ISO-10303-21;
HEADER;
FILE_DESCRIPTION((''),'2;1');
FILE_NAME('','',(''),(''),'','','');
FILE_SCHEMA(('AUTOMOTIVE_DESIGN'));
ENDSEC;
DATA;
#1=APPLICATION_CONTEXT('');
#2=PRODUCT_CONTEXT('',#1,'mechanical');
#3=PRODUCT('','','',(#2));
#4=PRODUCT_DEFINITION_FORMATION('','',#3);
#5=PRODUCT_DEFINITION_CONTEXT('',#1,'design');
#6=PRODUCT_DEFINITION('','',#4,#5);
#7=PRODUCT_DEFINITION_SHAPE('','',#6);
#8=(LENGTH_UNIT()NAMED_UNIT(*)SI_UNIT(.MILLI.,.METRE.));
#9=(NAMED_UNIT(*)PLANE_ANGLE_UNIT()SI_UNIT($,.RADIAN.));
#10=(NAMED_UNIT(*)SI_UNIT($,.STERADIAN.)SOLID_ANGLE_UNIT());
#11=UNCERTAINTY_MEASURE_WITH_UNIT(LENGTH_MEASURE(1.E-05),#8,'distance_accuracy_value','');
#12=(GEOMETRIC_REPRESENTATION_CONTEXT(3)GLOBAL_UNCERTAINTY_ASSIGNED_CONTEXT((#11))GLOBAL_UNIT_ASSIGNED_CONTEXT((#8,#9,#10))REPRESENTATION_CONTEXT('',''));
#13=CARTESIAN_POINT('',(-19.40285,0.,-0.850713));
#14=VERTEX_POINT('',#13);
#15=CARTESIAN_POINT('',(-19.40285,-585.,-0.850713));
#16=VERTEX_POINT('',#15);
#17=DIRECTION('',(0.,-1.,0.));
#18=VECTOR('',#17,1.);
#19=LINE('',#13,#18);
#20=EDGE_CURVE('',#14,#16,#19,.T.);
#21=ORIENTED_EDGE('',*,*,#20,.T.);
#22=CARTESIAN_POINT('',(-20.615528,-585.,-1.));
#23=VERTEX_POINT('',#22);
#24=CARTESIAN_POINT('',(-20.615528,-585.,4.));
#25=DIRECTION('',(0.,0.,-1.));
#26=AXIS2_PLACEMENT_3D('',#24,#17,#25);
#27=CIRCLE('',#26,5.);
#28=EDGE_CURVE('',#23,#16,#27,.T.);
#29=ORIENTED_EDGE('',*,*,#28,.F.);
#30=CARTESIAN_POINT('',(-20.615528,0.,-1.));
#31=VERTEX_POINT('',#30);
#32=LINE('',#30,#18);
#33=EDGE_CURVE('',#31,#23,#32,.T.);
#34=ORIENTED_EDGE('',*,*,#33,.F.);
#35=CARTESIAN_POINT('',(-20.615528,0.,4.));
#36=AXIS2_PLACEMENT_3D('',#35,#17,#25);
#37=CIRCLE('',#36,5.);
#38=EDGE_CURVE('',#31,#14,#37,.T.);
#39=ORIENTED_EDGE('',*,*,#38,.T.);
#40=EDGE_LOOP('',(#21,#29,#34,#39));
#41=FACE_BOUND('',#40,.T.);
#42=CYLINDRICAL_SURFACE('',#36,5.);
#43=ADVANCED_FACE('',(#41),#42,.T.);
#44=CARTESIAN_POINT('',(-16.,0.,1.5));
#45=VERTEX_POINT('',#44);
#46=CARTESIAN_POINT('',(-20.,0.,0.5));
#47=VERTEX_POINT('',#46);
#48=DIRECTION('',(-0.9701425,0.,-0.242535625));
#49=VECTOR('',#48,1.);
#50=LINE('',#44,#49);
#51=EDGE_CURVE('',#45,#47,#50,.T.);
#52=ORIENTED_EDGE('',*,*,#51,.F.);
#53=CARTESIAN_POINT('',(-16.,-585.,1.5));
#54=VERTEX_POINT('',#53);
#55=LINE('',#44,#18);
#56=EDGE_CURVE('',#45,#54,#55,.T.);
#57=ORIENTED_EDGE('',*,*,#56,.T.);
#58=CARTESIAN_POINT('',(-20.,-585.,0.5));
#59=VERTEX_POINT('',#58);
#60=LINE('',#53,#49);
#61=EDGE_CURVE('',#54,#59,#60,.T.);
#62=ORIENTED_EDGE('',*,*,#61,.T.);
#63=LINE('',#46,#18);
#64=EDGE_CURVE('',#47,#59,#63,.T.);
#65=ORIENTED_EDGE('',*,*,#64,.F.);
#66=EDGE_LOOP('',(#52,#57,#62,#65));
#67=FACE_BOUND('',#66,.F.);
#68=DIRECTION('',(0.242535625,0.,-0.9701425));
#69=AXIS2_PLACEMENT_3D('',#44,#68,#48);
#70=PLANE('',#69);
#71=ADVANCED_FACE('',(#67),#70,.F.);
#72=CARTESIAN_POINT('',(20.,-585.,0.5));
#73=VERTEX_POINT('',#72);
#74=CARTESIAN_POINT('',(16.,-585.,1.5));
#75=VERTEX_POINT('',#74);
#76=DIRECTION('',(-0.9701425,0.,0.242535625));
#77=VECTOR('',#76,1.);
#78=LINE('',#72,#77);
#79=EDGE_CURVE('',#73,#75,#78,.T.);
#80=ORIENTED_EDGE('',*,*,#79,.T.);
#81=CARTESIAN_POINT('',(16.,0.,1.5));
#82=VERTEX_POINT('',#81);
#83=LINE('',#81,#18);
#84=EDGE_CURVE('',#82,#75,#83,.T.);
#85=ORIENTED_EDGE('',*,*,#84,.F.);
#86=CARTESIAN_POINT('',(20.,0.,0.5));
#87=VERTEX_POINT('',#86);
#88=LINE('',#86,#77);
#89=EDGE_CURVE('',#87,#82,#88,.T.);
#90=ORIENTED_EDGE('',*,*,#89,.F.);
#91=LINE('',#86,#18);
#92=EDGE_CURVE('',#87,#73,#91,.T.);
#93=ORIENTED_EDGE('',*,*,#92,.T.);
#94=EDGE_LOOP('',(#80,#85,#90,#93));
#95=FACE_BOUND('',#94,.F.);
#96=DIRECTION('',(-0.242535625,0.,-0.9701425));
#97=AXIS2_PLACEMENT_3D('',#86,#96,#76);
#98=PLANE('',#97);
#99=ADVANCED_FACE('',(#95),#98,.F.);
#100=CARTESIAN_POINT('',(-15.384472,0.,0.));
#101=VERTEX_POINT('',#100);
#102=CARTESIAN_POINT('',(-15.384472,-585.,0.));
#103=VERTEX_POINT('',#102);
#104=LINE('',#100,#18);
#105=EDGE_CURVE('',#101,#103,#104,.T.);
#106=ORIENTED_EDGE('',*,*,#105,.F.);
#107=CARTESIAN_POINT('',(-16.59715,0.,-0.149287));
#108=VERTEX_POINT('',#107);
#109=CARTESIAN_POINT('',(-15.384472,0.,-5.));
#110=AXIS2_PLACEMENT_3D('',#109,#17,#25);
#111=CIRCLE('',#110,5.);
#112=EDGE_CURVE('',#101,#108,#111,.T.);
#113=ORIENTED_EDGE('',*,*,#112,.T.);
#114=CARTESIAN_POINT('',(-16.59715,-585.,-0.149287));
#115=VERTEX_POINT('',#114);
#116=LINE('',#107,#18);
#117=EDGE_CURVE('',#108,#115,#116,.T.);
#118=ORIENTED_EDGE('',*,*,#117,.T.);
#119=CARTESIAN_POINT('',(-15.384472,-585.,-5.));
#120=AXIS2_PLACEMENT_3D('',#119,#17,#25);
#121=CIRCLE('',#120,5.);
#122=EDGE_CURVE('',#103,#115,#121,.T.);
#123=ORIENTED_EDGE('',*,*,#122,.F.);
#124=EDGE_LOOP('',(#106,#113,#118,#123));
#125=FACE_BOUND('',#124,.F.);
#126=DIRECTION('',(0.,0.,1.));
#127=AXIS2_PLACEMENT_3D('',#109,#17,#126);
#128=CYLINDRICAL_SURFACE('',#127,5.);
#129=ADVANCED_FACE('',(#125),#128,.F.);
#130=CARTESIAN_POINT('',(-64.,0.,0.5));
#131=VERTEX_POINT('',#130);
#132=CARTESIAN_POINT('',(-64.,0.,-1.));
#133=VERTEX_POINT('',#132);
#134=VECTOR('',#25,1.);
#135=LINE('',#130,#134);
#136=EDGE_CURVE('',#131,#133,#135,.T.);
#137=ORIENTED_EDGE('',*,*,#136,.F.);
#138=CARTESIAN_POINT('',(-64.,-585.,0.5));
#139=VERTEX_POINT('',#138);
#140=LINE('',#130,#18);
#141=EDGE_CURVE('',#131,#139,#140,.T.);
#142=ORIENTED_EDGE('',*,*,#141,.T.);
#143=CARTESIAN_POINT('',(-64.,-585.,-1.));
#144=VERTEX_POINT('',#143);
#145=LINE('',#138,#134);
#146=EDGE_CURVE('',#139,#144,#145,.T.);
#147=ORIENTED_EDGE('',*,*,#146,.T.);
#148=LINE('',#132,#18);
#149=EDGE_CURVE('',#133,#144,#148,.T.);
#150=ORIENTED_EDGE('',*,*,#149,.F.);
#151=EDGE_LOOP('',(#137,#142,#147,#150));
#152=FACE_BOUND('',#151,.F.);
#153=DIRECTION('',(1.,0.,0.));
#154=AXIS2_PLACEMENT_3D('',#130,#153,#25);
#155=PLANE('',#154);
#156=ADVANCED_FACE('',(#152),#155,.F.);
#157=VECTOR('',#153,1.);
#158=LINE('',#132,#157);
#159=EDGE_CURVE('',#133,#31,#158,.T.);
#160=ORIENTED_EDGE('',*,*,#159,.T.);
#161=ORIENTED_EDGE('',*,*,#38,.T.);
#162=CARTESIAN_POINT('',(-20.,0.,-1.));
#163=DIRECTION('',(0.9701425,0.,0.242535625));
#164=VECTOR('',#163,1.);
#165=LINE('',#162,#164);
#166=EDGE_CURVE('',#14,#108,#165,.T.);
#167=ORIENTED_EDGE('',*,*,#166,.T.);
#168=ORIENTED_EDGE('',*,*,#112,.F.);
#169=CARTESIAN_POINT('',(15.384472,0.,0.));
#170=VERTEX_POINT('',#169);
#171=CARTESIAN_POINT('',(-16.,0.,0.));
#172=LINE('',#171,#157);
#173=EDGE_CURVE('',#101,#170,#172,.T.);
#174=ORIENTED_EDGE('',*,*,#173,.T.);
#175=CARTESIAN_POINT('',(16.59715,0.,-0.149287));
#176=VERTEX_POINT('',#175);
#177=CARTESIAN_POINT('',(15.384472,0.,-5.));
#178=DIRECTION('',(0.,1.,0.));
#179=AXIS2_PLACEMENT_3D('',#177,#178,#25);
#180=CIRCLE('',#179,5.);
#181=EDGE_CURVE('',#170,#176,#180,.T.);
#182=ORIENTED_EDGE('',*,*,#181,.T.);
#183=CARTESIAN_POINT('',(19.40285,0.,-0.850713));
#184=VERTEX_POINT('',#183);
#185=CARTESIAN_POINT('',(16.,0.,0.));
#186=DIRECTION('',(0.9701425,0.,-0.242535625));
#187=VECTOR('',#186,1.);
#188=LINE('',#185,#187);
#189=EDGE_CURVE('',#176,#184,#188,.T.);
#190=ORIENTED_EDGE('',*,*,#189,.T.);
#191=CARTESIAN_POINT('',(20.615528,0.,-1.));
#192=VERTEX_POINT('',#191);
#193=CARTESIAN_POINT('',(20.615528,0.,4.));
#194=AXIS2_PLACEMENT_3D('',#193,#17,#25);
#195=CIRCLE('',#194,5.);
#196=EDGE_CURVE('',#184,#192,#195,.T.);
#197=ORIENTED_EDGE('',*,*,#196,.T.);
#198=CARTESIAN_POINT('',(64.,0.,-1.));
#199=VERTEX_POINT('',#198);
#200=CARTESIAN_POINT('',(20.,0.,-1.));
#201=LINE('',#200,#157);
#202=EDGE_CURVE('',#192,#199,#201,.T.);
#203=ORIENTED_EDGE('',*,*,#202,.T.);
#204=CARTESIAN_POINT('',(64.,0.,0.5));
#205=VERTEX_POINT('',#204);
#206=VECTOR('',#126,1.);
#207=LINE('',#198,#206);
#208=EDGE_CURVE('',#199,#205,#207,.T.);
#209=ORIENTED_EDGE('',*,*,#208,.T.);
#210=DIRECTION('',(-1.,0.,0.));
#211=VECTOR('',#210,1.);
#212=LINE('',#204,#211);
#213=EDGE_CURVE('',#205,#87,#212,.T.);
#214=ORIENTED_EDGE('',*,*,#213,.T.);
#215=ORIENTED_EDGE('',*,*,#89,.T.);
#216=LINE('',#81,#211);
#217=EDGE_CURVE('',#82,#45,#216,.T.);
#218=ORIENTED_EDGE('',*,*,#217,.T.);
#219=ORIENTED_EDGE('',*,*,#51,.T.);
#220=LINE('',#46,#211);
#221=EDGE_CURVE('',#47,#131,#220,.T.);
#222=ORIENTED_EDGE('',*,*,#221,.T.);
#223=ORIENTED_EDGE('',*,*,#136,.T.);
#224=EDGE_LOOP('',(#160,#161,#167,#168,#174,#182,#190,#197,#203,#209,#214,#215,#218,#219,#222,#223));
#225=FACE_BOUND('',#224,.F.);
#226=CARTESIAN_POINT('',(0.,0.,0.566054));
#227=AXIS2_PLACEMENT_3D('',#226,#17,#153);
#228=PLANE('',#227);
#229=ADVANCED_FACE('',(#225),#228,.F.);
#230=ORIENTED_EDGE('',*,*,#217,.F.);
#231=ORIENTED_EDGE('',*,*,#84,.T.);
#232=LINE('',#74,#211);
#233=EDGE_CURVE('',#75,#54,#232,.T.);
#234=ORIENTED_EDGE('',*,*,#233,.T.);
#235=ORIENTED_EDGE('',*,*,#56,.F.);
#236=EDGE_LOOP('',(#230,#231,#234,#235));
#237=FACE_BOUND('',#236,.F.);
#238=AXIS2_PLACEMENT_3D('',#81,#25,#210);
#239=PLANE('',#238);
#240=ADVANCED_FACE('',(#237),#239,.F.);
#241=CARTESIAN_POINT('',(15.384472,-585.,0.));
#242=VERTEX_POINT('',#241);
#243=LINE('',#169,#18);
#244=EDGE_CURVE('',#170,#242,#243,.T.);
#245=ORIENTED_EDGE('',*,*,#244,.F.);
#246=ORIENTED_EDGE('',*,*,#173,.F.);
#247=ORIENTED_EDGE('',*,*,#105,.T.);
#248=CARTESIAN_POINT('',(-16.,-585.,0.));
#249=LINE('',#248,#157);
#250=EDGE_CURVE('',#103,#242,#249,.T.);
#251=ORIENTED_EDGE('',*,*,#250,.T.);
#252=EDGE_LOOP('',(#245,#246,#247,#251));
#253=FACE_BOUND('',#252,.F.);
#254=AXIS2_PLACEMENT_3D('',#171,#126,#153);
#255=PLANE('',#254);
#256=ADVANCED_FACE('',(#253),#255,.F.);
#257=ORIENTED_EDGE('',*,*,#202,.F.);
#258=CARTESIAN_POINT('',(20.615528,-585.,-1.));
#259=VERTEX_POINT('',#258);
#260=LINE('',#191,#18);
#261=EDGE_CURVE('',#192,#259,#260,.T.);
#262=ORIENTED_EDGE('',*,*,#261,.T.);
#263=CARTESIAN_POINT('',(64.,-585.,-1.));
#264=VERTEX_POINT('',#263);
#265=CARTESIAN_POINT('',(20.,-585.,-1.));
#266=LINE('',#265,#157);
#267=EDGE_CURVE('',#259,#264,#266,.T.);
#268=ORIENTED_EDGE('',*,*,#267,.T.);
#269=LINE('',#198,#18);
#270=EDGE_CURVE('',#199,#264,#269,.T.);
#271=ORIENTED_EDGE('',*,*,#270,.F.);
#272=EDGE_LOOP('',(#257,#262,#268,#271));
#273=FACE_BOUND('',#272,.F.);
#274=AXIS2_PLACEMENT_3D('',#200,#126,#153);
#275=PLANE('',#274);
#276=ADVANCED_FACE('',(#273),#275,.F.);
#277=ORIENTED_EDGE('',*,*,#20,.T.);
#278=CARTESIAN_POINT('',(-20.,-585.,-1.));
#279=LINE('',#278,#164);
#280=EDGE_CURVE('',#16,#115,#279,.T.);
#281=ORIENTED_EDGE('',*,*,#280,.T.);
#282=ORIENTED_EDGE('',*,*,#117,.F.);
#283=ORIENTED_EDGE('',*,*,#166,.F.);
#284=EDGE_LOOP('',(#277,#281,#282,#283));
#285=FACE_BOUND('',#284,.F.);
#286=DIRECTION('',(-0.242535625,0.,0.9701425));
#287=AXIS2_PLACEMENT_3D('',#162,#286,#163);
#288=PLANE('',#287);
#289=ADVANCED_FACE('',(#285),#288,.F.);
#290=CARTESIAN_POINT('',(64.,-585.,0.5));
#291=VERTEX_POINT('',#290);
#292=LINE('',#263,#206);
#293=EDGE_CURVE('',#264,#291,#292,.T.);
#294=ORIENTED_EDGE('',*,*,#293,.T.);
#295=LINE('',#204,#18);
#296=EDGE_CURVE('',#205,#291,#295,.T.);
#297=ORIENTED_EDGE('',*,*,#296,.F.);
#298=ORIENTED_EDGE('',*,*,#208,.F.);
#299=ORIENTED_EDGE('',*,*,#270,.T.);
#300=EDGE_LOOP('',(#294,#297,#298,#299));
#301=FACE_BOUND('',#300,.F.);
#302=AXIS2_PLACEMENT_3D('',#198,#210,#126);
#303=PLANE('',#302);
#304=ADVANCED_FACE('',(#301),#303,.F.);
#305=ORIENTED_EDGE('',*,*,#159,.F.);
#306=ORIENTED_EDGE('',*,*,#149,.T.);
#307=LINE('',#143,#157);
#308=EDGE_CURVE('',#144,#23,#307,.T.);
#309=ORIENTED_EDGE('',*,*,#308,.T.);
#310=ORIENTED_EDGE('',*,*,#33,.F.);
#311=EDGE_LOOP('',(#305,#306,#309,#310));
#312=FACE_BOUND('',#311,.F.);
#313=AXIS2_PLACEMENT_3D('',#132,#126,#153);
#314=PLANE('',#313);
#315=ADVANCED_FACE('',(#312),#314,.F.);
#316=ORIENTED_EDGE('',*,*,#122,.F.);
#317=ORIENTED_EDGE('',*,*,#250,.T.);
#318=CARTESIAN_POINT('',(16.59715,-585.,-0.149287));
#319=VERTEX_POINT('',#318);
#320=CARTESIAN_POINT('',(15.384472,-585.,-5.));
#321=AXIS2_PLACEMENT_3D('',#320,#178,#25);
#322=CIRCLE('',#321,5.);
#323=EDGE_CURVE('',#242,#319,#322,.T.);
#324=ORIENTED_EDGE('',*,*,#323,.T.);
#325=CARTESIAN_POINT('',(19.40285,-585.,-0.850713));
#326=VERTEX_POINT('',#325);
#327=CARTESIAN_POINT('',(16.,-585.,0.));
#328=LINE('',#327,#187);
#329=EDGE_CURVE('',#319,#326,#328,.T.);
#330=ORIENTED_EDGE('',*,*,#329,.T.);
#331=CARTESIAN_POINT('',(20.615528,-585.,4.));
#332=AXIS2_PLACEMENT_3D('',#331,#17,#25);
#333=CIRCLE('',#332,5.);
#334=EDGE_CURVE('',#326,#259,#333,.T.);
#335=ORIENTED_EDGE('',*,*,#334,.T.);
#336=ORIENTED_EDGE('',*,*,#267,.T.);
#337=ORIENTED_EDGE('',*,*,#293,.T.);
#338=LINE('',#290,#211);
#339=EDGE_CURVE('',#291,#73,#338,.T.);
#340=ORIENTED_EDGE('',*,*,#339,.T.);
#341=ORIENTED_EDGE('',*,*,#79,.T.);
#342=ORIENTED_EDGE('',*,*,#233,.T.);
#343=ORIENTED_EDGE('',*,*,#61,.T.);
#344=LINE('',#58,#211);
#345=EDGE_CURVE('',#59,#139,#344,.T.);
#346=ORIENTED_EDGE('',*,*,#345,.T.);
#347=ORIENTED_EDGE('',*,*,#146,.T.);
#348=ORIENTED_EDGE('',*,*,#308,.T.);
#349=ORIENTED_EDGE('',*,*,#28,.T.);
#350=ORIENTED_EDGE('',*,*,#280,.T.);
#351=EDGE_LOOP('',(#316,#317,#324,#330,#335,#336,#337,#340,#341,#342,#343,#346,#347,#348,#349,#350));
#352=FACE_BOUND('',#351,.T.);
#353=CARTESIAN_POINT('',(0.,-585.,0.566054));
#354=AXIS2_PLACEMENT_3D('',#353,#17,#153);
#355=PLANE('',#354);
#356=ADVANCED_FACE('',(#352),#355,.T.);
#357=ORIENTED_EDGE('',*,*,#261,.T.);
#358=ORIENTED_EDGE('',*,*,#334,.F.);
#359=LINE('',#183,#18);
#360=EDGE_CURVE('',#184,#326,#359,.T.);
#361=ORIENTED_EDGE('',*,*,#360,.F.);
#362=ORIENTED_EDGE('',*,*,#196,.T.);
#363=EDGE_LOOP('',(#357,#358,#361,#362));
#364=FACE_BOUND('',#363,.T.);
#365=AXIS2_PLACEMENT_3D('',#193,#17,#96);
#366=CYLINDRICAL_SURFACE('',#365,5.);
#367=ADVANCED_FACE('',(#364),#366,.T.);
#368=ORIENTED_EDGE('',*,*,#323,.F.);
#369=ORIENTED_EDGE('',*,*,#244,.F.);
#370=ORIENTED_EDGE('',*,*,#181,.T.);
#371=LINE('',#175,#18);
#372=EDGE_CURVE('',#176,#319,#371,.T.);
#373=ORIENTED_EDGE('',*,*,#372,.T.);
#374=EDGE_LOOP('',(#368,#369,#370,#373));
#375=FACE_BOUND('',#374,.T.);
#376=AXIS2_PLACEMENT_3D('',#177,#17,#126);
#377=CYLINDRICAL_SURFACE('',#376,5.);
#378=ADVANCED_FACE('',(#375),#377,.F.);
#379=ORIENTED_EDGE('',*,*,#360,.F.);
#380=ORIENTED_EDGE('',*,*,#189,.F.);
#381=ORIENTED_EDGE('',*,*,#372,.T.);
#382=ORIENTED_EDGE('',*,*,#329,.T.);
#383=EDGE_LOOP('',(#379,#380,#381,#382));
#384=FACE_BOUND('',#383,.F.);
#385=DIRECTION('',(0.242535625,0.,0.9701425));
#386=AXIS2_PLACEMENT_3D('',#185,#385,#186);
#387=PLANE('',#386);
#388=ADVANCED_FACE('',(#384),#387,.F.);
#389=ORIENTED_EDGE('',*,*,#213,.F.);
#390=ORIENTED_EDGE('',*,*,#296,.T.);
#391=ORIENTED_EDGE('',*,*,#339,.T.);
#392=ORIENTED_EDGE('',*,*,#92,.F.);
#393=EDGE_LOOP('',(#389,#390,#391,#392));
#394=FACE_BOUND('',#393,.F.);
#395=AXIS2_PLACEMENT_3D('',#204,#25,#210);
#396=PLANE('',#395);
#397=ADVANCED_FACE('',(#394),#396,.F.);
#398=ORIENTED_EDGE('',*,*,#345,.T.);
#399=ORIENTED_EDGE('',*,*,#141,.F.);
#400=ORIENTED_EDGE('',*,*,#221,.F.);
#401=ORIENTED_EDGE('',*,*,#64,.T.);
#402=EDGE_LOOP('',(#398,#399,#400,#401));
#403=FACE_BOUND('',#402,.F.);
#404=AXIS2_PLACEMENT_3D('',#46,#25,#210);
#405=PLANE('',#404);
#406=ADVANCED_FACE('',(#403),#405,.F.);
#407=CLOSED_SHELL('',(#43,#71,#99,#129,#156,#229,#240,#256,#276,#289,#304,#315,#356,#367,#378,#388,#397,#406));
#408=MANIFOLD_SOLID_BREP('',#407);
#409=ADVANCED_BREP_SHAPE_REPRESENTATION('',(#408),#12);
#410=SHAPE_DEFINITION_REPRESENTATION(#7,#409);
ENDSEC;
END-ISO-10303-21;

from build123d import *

# Parameters (mm, degrees)
F1_DEPTH = 585
F2_R     = 5


with BuildPart() as f1:
    # F0 (on Front) → F1 (new body)
    with BuildSketch(Plane.XZ):
        Polygon((-16, 0), (0, 0), (16, 0), (20, -1), (16, 1.5), (0, 1.5), (-16, 1.5), (-20, -1), align=None)
        Polygon((16, 1.5), (20, -1), (64, -1), (64, 0.5), (20, 0.5), align=None)
        Polygon((-64, -1), (-20, -1), (-16, 1.5), (-20, 0.5), (-64, 0.5), align=None)
    extrude(amount=F1_DEPTH)

    # F2
    f2_edges = [f1.edges().sort_by_distance(p)[0] for p in [
        (20, -292.5, -1),
        (16, -292.5, 0),
        (-16, -292.5, 0),
        (-20, -292.5, -1),
    ]]
    fillet(f2_edges, radius=F2_R)


solid = f1.part
